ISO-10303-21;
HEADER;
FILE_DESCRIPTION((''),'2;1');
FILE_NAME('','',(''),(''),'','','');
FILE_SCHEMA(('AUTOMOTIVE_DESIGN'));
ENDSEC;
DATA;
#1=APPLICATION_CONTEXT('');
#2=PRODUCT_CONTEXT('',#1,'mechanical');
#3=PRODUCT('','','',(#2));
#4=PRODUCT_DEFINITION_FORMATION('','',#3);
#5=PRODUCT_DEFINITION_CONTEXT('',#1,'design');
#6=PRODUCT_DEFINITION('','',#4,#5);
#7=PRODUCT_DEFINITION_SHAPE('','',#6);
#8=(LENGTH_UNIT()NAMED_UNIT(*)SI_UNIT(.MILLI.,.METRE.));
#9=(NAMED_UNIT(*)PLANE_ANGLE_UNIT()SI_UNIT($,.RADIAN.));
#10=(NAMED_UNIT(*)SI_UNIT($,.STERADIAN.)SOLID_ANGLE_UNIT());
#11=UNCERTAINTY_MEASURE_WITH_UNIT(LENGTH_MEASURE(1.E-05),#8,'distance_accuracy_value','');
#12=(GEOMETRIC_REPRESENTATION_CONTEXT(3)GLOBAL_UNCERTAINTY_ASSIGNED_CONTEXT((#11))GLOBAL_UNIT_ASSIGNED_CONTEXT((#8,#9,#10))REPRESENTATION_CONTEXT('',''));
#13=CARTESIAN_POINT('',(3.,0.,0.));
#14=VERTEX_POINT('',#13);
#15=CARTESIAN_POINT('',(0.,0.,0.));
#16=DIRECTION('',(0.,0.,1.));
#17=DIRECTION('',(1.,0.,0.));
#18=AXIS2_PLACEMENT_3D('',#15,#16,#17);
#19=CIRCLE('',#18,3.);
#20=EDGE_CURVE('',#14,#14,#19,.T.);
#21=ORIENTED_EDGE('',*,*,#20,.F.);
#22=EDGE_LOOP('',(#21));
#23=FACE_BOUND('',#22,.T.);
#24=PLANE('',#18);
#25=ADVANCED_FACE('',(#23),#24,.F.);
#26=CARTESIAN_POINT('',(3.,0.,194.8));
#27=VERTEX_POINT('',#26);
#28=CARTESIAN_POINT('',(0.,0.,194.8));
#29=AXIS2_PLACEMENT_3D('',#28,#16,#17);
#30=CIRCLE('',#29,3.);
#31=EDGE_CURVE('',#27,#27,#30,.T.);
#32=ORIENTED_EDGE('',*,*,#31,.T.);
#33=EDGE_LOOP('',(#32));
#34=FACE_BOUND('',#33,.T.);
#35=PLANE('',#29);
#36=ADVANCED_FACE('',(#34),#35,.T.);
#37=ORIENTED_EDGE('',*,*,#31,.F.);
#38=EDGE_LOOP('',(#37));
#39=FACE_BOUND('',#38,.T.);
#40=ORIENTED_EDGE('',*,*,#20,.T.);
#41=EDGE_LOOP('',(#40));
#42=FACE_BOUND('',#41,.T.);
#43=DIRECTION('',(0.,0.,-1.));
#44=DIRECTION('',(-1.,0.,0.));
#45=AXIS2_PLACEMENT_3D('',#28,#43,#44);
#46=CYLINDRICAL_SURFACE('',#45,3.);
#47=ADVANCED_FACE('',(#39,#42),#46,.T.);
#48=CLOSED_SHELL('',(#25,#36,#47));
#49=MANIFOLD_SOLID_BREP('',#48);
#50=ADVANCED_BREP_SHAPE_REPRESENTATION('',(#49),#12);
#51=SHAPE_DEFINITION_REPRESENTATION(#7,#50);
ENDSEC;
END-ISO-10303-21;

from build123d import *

# Parameters (mm, degrees)
ESBO_O1_R                = 3
RESSALTO_EXTRUS_O1_DEPTH = 194.8


with BuildPart() as part:
    # Esboço1 → Ressalto-extrusão1 (new body)
    with BuildSketch(Plane.XY):
        Circle(ESBO_O1_R)
    extrude(amount=RESSALTO_EXTRUS_O1_DEPTH)


solid = part.part
